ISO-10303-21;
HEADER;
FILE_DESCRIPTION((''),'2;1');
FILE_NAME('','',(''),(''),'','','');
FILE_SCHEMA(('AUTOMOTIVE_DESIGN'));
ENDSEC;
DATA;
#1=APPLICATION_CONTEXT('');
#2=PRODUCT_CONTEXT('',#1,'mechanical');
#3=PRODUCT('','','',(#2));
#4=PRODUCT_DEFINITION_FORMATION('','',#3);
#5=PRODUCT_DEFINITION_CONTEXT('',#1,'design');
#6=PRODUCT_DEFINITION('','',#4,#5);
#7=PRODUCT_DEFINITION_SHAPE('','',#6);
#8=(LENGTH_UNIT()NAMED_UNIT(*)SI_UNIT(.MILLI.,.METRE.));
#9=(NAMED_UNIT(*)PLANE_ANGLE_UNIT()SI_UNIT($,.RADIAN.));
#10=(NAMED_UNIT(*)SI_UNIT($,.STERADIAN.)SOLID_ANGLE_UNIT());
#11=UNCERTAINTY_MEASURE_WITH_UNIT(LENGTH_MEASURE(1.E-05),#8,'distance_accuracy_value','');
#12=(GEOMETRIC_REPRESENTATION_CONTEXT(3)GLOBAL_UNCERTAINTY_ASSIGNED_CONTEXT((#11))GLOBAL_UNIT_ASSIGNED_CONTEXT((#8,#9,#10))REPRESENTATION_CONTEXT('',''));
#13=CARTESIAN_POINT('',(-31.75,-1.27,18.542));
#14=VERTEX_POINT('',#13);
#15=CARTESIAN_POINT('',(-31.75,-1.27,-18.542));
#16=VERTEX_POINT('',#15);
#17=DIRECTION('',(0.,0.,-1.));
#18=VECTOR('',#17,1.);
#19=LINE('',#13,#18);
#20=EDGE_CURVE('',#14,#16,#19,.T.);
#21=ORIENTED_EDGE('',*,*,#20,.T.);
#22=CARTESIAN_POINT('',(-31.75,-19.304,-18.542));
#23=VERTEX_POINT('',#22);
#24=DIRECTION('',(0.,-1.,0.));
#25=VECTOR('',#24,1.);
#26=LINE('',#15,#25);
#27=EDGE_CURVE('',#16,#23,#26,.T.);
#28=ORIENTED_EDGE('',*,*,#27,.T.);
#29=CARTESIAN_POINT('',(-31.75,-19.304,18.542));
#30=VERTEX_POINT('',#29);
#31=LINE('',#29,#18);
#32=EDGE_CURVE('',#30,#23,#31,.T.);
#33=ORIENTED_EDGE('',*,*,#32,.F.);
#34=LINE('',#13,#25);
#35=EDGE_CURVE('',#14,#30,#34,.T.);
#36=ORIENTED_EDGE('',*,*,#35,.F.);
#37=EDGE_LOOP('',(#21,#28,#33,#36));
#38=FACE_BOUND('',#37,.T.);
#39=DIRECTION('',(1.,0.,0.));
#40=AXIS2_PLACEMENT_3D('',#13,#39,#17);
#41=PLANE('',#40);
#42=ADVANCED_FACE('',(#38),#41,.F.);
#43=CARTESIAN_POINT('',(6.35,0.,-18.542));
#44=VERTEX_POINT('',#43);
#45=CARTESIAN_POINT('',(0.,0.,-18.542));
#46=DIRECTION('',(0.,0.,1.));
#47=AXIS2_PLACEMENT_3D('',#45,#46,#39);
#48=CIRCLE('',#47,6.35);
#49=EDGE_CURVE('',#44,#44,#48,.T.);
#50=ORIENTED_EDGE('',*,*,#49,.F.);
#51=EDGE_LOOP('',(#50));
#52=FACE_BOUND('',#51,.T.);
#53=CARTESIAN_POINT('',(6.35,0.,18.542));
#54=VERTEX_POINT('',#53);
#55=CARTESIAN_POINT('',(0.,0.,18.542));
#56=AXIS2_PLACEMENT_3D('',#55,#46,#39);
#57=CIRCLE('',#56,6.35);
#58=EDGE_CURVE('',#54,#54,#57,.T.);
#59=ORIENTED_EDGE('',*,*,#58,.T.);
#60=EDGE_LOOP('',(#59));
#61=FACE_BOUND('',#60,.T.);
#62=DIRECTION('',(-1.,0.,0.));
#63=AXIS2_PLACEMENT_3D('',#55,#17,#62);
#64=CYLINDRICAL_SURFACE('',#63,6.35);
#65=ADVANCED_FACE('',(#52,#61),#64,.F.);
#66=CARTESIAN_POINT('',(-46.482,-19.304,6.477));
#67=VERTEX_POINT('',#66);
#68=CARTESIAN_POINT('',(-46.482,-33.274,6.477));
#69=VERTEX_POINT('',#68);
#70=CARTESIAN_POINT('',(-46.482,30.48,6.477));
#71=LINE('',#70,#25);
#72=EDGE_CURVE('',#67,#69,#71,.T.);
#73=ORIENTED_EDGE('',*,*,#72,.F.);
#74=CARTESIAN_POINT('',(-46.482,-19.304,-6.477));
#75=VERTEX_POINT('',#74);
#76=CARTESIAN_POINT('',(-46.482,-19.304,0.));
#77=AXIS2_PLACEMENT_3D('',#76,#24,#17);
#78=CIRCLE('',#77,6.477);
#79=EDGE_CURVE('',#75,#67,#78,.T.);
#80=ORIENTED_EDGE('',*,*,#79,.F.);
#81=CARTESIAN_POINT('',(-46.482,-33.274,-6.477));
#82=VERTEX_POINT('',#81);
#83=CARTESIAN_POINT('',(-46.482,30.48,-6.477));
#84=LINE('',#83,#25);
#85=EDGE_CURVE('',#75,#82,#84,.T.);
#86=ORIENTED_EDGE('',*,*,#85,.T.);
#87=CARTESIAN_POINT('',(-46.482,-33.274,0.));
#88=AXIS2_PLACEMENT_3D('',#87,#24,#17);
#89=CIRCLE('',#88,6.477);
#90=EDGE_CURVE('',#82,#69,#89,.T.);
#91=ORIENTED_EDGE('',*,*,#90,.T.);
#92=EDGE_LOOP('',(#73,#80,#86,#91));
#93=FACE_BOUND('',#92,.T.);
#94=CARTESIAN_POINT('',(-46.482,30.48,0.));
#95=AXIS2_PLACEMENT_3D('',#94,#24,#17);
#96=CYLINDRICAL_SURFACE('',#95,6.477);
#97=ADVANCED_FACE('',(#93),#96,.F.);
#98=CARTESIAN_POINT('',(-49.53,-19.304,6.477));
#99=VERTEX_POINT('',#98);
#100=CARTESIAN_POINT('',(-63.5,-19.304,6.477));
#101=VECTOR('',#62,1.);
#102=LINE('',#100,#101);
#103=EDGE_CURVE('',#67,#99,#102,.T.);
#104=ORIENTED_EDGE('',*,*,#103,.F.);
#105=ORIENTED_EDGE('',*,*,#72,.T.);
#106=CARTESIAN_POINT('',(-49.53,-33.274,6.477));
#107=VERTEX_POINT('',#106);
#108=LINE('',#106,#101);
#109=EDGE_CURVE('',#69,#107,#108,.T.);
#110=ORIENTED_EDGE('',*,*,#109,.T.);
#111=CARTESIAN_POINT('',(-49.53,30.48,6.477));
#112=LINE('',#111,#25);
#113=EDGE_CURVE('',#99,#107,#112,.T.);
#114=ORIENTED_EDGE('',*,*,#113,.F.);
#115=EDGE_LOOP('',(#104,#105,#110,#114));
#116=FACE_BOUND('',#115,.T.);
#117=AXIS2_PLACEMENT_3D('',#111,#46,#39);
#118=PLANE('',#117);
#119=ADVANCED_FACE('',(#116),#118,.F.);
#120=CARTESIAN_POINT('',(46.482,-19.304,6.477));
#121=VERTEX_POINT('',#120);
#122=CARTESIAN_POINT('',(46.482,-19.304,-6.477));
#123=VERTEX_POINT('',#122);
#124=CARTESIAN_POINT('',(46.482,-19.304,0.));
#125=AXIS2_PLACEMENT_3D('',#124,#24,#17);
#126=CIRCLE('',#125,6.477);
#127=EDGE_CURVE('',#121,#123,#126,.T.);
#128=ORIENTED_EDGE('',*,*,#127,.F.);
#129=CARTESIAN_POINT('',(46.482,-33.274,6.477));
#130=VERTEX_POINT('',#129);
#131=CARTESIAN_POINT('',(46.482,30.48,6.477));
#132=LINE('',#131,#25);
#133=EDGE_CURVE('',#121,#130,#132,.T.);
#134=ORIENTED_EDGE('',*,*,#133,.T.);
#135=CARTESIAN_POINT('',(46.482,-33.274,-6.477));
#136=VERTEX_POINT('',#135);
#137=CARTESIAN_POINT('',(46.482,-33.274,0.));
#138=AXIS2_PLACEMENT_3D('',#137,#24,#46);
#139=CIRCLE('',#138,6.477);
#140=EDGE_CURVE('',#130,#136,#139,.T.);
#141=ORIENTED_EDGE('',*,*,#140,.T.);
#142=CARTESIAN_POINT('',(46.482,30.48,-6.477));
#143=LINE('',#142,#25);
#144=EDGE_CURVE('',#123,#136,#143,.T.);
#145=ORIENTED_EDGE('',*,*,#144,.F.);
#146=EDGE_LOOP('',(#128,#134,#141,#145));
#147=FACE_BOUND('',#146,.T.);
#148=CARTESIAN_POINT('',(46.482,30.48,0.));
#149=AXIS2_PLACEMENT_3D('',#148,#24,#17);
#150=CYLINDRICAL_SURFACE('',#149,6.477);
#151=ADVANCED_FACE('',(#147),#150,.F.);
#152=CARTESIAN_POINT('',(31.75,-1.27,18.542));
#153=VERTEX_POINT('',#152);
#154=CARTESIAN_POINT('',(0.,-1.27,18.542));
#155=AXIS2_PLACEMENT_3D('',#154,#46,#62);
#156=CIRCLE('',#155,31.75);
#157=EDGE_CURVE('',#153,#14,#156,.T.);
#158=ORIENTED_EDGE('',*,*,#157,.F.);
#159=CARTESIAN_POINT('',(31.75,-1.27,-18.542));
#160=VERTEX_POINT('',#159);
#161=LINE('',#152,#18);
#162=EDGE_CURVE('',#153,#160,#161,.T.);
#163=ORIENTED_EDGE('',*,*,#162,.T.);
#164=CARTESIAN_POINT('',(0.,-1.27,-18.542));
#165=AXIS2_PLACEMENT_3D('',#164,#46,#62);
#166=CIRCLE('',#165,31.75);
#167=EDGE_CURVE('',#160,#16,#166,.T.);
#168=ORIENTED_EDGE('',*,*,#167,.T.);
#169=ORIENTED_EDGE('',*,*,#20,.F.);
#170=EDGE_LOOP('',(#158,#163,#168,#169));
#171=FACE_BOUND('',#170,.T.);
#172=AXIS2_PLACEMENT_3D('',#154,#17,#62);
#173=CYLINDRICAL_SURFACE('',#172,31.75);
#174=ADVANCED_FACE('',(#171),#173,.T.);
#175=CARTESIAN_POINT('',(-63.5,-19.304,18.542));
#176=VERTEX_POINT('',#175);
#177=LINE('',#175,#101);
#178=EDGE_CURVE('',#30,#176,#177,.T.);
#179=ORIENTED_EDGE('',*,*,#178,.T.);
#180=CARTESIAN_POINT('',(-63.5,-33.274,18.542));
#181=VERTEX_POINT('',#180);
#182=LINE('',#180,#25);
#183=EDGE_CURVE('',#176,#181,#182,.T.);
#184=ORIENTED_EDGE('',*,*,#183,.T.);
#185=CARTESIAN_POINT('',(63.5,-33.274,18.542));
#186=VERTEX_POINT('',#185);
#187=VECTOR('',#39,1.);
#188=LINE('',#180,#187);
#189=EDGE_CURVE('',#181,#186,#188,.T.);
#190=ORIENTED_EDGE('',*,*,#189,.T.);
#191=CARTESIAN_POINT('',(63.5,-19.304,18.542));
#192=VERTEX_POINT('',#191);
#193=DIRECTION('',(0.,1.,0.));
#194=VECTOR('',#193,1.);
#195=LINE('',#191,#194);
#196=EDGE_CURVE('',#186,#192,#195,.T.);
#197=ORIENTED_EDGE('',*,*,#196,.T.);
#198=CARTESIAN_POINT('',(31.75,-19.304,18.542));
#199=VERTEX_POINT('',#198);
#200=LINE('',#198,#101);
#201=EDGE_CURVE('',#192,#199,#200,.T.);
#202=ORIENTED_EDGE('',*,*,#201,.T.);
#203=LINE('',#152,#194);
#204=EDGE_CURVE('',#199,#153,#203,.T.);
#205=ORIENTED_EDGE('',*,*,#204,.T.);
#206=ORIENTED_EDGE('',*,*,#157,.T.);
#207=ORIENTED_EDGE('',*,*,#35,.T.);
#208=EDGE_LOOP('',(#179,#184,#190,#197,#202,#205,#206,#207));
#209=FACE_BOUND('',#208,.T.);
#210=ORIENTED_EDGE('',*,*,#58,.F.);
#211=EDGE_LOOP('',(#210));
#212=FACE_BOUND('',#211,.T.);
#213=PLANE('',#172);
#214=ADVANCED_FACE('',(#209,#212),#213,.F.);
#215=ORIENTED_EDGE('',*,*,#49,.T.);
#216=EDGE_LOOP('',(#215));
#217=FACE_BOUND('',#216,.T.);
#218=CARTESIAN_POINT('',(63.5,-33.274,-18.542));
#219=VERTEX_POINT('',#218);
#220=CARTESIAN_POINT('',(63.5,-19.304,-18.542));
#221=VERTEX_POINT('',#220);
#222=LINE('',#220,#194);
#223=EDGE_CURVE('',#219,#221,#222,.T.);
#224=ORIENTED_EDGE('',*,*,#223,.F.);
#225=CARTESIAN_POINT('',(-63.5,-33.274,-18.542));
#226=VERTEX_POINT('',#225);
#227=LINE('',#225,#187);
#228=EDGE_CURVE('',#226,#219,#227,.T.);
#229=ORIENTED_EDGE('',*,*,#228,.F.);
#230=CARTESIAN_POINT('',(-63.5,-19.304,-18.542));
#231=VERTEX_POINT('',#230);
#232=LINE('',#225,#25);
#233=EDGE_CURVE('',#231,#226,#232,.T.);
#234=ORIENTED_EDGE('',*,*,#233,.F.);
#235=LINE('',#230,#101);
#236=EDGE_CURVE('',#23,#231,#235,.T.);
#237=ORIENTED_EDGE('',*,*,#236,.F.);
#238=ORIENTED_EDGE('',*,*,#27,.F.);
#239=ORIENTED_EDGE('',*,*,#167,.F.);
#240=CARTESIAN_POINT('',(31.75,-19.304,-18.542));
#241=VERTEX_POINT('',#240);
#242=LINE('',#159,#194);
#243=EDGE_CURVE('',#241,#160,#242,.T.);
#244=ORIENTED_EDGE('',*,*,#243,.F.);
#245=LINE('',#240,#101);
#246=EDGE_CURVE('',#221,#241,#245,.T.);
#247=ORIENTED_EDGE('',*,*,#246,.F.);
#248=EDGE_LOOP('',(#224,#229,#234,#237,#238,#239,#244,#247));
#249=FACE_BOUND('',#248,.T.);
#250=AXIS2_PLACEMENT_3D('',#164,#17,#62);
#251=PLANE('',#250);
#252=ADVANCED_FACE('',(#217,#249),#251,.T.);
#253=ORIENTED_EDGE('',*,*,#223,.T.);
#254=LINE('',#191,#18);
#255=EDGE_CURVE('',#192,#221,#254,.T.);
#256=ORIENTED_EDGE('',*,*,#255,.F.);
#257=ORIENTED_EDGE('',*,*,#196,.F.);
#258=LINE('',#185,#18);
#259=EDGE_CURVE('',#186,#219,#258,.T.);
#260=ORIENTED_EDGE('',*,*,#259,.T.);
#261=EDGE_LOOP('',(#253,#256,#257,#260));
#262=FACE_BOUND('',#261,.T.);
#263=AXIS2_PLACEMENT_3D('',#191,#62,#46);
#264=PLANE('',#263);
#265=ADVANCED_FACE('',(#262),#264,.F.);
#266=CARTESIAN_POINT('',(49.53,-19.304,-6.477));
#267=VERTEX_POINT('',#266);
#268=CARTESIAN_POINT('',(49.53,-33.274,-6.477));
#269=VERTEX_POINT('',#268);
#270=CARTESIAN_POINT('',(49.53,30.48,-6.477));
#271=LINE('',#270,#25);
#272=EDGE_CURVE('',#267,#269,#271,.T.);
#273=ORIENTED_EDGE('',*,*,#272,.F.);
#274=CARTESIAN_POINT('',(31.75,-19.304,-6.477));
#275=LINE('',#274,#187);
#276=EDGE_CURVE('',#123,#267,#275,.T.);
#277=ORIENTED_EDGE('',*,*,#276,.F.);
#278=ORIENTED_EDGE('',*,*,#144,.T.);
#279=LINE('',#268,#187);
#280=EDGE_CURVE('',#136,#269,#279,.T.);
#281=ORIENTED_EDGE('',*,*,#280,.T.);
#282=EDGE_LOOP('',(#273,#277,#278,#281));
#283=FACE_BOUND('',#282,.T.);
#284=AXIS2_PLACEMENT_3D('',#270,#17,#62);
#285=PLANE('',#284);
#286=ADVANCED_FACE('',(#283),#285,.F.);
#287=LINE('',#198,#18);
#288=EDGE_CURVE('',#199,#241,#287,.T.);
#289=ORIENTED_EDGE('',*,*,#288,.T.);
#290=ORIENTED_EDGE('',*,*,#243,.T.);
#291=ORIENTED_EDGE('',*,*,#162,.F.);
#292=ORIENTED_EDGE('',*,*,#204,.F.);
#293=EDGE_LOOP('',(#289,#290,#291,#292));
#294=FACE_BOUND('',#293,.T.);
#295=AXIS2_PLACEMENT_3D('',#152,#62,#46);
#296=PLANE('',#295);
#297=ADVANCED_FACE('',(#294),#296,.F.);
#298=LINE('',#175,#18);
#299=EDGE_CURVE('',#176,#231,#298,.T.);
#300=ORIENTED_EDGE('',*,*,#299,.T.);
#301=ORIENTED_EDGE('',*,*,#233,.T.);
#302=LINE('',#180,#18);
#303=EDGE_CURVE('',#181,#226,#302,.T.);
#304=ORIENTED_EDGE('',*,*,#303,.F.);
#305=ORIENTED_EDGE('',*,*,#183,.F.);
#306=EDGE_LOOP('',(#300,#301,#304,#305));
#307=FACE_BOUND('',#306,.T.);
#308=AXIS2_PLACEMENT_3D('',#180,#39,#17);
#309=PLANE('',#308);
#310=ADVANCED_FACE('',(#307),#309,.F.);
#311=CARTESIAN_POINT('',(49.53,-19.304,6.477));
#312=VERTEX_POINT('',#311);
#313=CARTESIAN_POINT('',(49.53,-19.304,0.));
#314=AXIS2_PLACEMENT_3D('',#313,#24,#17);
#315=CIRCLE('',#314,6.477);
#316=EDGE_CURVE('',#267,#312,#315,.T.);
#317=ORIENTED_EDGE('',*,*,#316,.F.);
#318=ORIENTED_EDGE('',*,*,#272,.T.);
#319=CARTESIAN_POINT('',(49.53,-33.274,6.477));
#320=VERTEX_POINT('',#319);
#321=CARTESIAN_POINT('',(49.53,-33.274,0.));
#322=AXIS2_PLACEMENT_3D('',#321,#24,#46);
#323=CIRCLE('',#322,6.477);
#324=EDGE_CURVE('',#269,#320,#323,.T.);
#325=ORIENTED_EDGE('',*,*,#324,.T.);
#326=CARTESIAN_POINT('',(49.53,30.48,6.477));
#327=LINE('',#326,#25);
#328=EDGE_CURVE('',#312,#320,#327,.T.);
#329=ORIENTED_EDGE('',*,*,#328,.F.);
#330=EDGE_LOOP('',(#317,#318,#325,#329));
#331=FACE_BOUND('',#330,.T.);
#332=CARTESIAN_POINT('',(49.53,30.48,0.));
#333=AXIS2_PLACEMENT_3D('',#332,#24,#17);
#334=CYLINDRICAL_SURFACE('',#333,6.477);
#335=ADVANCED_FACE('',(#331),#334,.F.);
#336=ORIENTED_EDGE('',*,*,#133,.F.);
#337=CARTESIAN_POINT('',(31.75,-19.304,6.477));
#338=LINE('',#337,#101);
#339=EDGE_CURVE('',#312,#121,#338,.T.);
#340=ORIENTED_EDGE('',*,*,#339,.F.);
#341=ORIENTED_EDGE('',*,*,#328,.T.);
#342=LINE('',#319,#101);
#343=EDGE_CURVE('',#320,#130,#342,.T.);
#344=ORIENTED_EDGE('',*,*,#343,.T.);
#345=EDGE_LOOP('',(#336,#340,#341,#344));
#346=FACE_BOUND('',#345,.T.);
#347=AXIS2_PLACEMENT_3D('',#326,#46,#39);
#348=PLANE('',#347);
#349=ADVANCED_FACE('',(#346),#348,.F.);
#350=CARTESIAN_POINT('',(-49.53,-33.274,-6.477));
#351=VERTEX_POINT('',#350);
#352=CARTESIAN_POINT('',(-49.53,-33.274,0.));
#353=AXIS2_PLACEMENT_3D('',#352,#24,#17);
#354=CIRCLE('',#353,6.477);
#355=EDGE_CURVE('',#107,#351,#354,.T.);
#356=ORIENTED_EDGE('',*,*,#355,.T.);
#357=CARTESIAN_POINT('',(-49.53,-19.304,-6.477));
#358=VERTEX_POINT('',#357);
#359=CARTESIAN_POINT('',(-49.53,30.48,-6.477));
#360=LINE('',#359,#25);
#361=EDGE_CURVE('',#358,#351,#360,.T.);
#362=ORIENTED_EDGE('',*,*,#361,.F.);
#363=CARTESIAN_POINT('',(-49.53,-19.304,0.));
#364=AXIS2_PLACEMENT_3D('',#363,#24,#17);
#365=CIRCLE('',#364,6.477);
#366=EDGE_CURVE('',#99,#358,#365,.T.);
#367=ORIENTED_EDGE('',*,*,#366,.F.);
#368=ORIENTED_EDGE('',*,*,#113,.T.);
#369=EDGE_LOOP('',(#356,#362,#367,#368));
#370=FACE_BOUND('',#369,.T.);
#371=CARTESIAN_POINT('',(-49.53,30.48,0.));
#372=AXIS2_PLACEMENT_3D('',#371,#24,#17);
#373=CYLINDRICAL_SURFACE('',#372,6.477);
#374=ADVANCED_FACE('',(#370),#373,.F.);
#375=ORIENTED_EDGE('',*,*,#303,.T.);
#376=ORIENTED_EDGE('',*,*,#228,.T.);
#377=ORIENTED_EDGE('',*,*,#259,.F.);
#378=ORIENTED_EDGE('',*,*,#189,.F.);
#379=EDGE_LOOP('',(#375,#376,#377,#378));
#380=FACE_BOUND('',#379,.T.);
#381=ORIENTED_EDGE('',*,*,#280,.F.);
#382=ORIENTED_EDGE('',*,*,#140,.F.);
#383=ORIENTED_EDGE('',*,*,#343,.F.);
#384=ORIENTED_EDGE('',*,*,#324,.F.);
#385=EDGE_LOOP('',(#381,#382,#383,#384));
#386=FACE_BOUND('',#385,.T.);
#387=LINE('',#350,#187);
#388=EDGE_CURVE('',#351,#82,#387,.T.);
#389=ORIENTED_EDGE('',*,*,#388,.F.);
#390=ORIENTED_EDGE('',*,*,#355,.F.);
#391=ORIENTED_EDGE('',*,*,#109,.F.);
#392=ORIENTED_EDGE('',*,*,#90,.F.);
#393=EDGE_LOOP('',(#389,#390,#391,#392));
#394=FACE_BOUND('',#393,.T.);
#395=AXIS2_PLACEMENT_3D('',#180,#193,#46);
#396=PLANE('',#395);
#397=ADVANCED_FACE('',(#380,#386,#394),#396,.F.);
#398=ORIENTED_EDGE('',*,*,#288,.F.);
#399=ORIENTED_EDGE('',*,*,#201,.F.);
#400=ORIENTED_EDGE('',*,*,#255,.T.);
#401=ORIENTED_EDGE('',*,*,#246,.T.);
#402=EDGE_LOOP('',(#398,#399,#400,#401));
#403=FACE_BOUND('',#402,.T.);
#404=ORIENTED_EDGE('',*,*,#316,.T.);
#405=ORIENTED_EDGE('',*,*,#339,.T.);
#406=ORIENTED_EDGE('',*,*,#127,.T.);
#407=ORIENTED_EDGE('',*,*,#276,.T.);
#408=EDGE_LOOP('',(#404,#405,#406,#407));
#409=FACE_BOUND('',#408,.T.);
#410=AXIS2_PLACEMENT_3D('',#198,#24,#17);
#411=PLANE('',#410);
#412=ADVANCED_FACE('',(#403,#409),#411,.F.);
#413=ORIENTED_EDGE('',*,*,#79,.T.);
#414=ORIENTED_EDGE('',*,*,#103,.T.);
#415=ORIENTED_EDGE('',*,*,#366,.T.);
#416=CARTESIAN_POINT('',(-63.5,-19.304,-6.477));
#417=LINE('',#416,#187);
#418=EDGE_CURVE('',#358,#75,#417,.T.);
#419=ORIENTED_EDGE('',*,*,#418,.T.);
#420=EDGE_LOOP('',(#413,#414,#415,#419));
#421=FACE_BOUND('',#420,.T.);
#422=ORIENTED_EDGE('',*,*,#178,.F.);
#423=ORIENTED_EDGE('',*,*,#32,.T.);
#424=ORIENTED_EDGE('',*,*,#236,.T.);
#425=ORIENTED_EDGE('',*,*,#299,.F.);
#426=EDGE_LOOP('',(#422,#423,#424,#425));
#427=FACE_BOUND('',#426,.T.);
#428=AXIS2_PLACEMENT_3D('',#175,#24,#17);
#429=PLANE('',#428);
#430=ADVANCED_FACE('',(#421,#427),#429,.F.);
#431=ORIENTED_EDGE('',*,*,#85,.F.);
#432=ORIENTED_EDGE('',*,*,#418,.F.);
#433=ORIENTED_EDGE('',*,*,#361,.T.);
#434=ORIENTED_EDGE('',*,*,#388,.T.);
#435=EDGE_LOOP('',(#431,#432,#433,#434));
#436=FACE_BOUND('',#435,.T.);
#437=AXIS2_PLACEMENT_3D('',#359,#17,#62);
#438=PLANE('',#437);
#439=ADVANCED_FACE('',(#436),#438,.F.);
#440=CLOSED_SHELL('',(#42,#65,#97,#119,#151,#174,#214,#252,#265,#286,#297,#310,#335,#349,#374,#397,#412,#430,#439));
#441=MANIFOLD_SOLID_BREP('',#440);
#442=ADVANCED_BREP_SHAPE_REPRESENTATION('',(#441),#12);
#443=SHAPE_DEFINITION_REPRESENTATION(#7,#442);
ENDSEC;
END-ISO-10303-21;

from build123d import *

# Parameters (mm, degrees)
SKETCH1_R           = 6.35
BOSS_EXTRUDE1_DEPTH = 18.542
CUT_EXTRUDE1_DEPTH  = 92.872891976


with BuildPart() as part:
    # Sketch1 → Boss-Extrude1 (new, symmetric)
    with BuildSketch(Plane.XY):
        with BuildLine():
            Line((-63.5, -33.274), (63.5, -33.274))
            Line((63.5, -33.274), (63.5, -19.304))
            Line((63.5, -19.304), (31.75, -19.304))
            Line((31.75, -19.304), (31.75, -1.27))
            ThreePointArc((31.75, -1.27), (0, 30.48), (-31.75, -1.27))
            Line((-31.75, -1.27), (-31.75, -19.304))
            Line((-31.75, -19.304), (-63.5, -19.304))
            Line((-63.5, -19.304), (-63.5, -33.274))
        make_face()
        Circle(SKETCH1_R, mode=Mode.SUBTRACT)
    extrude(amount=BOSS_EXTRUDE1_DEPTH, both=True)

    # Sketch2 → Cut-Extrude1 (cut, through all)
    with BuildSketch(Plane.XZ.offset(33.274)):
        with BuildLine():
            Line((-49.53, 6.477), (-46.482, 6.477))
            ThreePointArc((-46.482, 6.477), (-40.005, 0), (-46.482, -6.477))
            Line((-46.482, -6.477), (-49.53, -6.477))
            ThreePointArc((-49.53, -6.477), (-56.007, 0), (-49.53, 6.477))
        make_face()
        with BuildLine():
            Line((49.53, 6.477), (46.482, 6.477))
            ThreePointArc((46.482, 6.477), (40.005, 0), (46.482, -6.477))
            Line((46.482, -6.477), (49.53, -6.477))
            ThreePointArc((49.53, -6.477), (56.007, 0), (49.53, 6.477))
        make_face()
    extrude(amount=-CUT_EXTRUDE1_DEPTH, mode=Mode.SUBTRACT)


solid = part.part
